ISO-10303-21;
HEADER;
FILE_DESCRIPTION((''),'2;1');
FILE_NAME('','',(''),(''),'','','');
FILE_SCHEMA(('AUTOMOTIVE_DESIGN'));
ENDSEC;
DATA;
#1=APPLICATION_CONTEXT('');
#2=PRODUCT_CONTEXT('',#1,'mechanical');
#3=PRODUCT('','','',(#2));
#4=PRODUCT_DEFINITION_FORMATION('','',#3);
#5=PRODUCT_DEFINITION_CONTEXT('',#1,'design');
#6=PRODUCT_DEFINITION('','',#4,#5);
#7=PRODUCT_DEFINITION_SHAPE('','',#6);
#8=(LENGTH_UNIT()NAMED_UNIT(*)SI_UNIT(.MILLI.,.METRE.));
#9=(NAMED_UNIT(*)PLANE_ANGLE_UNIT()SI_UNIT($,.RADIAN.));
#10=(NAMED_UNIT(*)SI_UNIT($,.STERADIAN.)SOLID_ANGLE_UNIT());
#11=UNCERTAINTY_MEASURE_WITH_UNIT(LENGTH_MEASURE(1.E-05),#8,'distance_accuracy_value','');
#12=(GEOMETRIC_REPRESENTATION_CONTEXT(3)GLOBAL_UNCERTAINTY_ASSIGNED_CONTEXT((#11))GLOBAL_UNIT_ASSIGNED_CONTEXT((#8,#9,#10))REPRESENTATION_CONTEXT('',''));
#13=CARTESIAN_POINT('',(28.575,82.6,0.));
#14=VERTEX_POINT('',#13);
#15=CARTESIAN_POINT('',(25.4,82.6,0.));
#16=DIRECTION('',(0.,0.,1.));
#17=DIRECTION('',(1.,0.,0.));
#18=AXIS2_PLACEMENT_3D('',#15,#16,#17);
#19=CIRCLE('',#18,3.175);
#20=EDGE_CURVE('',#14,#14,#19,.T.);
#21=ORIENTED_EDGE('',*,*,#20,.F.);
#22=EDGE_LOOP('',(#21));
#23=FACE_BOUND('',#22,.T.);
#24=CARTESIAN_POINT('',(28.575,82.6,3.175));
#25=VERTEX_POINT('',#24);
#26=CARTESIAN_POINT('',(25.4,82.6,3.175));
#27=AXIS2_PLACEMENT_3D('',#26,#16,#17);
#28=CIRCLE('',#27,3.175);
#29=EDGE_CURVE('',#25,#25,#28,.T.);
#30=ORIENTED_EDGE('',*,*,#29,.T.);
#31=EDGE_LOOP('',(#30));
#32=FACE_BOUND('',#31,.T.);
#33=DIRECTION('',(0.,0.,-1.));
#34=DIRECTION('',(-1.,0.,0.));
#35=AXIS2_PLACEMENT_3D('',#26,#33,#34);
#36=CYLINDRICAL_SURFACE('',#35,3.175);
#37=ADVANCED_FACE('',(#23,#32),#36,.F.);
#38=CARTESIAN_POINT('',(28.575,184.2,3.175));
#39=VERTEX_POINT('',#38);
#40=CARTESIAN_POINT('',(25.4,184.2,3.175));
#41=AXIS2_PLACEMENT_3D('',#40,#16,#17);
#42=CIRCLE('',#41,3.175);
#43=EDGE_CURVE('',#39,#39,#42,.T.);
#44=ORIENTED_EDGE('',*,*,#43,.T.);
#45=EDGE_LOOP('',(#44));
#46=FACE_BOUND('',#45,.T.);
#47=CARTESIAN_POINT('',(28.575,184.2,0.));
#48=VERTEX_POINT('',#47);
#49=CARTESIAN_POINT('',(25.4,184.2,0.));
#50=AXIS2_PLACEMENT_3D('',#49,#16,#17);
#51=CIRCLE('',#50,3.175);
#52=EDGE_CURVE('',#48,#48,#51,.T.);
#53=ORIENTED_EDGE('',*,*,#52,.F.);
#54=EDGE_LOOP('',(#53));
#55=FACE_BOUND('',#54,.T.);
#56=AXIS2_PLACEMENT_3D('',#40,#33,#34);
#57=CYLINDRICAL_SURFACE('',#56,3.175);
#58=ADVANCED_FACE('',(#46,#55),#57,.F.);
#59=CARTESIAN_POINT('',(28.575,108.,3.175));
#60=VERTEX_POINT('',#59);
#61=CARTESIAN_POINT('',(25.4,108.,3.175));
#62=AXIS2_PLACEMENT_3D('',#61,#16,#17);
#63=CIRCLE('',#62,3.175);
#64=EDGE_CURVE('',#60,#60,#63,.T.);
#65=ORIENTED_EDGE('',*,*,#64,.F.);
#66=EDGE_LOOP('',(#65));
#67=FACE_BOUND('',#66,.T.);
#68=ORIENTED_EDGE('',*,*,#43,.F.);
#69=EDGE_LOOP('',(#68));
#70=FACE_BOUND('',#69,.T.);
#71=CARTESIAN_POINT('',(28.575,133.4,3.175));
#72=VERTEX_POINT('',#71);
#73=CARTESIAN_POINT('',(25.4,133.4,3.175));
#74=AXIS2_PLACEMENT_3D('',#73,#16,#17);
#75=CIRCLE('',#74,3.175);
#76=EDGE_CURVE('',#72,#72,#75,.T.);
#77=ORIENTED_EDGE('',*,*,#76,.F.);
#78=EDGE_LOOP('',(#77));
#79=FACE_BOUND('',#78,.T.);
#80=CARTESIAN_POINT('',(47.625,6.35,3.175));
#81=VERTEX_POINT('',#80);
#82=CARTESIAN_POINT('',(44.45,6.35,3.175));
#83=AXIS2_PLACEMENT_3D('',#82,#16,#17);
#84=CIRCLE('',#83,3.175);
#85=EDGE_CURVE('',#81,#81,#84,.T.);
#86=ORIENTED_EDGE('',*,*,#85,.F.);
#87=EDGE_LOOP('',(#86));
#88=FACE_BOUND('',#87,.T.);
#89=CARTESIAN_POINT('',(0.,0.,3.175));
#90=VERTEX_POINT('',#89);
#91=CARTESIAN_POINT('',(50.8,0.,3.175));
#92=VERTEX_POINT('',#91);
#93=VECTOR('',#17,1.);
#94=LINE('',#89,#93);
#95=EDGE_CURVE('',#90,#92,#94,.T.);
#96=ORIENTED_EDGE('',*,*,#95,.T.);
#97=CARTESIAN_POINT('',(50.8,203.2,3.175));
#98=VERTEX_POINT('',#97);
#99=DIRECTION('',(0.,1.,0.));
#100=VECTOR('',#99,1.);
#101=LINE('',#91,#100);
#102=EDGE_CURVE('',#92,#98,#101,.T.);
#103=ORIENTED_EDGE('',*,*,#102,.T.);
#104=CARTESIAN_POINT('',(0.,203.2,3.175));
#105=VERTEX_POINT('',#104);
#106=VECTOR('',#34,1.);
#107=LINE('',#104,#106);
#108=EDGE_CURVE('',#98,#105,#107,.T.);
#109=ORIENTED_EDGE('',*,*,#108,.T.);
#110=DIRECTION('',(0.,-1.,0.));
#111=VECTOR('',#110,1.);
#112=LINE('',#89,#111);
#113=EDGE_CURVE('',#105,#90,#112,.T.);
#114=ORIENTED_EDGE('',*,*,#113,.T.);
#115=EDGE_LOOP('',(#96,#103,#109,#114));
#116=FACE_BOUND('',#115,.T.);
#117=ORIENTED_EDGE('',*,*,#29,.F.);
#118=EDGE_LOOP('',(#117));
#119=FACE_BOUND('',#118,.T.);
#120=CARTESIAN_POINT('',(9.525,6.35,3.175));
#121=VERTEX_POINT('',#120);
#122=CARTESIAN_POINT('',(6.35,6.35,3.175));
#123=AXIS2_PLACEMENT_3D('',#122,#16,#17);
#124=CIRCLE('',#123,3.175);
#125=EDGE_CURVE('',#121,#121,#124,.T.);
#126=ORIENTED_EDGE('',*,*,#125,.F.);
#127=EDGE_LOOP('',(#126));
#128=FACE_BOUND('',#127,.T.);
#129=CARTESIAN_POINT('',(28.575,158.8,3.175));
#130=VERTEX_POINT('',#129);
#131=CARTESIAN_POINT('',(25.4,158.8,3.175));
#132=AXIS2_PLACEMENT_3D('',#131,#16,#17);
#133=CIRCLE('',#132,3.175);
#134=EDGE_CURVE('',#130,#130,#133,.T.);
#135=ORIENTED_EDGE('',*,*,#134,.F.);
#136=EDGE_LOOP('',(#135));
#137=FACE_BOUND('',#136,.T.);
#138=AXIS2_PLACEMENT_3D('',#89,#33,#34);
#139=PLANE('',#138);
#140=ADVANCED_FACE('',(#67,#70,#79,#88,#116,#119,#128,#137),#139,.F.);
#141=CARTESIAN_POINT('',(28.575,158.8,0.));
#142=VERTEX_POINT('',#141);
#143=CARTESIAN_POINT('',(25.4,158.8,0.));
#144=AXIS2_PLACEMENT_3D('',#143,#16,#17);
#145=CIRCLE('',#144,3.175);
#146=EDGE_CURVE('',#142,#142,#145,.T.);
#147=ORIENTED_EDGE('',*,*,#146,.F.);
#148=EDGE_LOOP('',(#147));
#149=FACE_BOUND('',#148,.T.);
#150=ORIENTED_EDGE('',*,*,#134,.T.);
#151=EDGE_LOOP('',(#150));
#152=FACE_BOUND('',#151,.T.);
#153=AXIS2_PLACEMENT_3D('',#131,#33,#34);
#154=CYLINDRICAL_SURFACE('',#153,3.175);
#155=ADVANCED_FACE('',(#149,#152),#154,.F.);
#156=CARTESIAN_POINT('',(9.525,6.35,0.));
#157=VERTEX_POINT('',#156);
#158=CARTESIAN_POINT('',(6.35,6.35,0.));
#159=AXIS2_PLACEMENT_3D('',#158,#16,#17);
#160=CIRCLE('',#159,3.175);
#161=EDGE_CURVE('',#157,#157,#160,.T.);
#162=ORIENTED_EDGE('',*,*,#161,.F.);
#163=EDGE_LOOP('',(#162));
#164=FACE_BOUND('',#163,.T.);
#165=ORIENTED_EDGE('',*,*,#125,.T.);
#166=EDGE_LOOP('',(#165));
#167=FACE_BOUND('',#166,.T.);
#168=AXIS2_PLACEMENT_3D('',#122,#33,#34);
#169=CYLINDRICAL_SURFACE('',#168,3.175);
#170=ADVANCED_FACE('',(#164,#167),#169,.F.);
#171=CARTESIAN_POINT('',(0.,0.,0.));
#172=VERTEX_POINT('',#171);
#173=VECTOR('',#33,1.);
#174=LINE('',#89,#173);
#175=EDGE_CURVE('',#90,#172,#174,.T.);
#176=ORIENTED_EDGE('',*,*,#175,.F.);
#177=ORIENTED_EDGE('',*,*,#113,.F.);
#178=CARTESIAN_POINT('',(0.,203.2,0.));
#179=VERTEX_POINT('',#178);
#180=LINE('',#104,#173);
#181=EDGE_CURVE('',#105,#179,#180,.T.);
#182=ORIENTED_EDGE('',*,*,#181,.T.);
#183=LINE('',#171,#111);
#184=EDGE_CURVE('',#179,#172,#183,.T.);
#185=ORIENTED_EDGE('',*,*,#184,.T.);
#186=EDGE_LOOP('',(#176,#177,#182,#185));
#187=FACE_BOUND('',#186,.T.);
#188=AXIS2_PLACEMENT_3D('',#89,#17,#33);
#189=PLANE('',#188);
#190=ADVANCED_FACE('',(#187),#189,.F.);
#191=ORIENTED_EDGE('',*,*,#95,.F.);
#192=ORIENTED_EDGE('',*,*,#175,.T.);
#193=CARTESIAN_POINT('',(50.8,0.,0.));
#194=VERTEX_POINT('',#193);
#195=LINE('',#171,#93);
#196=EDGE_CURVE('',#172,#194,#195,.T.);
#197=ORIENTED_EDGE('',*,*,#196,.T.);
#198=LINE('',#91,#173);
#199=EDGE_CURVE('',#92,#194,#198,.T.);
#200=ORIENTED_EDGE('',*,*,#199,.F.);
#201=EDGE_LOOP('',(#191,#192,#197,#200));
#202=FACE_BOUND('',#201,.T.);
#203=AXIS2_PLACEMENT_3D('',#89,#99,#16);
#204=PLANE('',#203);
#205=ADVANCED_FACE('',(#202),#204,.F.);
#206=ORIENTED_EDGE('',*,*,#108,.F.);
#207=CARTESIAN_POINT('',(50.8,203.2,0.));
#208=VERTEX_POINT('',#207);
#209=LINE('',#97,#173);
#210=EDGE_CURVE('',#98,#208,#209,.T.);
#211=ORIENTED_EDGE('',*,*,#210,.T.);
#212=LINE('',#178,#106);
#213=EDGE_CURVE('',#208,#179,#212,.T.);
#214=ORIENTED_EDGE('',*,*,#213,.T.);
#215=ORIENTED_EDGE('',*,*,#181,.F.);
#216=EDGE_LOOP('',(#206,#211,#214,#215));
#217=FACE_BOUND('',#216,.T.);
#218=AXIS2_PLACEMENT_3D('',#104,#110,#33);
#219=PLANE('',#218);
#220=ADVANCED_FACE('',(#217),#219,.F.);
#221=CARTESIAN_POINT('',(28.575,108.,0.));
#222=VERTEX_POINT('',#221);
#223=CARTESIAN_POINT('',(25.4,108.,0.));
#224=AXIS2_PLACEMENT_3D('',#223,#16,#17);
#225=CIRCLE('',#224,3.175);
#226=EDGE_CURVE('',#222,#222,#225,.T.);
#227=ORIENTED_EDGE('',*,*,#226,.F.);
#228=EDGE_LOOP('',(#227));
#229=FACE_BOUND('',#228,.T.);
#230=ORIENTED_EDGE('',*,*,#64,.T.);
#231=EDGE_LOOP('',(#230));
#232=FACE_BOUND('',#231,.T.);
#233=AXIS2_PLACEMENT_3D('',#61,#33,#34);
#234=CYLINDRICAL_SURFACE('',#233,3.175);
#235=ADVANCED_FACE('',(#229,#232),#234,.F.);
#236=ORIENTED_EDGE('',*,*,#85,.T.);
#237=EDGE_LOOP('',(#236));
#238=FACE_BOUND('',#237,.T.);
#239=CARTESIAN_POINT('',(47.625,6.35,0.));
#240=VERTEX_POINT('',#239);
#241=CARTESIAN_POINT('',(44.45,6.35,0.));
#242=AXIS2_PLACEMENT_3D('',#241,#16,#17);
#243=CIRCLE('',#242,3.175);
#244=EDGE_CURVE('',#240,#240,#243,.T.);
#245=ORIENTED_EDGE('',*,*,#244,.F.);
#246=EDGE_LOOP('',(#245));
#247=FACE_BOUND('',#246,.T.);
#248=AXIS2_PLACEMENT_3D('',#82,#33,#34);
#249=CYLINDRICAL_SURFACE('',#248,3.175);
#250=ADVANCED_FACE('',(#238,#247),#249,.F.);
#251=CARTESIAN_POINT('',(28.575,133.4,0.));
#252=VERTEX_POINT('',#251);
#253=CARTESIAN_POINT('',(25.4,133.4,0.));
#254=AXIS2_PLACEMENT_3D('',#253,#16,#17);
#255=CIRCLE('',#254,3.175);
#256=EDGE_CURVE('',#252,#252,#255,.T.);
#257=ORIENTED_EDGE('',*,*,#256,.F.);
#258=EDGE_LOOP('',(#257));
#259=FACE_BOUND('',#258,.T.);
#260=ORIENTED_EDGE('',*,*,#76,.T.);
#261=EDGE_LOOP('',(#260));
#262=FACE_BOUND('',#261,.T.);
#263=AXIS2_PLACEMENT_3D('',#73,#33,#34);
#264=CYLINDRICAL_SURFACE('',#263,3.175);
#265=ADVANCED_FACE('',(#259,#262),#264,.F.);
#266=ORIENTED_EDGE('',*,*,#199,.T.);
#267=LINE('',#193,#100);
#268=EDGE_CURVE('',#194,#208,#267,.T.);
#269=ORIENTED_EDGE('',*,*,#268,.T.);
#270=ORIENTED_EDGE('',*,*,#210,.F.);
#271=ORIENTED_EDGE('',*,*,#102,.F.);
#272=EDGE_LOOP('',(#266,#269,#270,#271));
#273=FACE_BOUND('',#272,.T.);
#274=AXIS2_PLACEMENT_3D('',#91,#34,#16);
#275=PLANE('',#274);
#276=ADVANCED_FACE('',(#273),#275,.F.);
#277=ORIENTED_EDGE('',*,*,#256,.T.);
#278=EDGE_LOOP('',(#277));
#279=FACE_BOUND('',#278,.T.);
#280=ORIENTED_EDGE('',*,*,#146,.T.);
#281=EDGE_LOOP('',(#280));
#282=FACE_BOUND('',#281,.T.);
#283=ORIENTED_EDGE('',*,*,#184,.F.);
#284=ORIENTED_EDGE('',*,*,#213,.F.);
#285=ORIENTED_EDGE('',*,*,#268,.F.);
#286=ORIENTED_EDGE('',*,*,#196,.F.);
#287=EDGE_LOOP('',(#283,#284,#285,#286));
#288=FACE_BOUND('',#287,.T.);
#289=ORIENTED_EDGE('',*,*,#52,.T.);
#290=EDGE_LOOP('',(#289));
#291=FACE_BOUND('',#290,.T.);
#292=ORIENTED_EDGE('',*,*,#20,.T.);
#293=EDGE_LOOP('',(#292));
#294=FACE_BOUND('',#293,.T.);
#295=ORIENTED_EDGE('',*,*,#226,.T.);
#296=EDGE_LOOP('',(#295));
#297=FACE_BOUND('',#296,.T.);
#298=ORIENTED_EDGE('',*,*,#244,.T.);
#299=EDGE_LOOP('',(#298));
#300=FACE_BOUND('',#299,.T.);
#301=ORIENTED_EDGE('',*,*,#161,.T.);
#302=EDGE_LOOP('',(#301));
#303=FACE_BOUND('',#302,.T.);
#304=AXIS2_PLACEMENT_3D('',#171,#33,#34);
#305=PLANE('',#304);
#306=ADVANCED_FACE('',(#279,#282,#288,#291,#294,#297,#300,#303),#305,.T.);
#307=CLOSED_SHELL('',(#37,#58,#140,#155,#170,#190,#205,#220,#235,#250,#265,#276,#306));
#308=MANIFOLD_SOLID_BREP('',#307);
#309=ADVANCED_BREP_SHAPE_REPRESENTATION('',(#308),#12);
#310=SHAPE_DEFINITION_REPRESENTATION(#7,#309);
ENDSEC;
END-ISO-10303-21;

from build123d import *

# Parameters (mm, degrees)
SKETCH1_W           = 50.8
SKETCH1_H           = 203.2
SKETCH1_R           = 3.175
BOSS_EXTRUDE1_DEPTH = 3.175


with BuildPart() as part:
    # Sketch1 → Boss-Extrude1 (new body)
    with BuildSketch(Plane.XY):
        with Locations((25.4, 101.6)):
            Rectangle(SKETCH1_W, SKETCH1_H)
        with Locations((6.35, 6.35)):
            Circle(SKETCH1_R, mode=Mode.SUBTRACT)
        with Locations((44.45, 6.35)):
            Circle(SKETCH1_R, mode=Mode.SUBTRACT)
        with Locations((25.4, 184.2)):
            Circle(SKETCH1_R, mode=Mode.SUBTRACT)
        with Locations((25.4, 158.8)):
            Circle(SKETCH1_R, mode=Mode.SUBTRACT)
        with Locations((25.4, 133.4)):
            Circle(SKETCH1_R, mode=Mode.SUBTRACT)
        with Locations((25.4, 108)):
            Circle(SKETCH1_R, mode=Mode.SUBTRACT)
        with Locations((25.4, 82.6)):
            Circle(SKETCH1_R, mode=Mode.SUBTRACT)
    extrude(amount=BOSS_EXTRUDE1_DEPTH)


solid = part.part
